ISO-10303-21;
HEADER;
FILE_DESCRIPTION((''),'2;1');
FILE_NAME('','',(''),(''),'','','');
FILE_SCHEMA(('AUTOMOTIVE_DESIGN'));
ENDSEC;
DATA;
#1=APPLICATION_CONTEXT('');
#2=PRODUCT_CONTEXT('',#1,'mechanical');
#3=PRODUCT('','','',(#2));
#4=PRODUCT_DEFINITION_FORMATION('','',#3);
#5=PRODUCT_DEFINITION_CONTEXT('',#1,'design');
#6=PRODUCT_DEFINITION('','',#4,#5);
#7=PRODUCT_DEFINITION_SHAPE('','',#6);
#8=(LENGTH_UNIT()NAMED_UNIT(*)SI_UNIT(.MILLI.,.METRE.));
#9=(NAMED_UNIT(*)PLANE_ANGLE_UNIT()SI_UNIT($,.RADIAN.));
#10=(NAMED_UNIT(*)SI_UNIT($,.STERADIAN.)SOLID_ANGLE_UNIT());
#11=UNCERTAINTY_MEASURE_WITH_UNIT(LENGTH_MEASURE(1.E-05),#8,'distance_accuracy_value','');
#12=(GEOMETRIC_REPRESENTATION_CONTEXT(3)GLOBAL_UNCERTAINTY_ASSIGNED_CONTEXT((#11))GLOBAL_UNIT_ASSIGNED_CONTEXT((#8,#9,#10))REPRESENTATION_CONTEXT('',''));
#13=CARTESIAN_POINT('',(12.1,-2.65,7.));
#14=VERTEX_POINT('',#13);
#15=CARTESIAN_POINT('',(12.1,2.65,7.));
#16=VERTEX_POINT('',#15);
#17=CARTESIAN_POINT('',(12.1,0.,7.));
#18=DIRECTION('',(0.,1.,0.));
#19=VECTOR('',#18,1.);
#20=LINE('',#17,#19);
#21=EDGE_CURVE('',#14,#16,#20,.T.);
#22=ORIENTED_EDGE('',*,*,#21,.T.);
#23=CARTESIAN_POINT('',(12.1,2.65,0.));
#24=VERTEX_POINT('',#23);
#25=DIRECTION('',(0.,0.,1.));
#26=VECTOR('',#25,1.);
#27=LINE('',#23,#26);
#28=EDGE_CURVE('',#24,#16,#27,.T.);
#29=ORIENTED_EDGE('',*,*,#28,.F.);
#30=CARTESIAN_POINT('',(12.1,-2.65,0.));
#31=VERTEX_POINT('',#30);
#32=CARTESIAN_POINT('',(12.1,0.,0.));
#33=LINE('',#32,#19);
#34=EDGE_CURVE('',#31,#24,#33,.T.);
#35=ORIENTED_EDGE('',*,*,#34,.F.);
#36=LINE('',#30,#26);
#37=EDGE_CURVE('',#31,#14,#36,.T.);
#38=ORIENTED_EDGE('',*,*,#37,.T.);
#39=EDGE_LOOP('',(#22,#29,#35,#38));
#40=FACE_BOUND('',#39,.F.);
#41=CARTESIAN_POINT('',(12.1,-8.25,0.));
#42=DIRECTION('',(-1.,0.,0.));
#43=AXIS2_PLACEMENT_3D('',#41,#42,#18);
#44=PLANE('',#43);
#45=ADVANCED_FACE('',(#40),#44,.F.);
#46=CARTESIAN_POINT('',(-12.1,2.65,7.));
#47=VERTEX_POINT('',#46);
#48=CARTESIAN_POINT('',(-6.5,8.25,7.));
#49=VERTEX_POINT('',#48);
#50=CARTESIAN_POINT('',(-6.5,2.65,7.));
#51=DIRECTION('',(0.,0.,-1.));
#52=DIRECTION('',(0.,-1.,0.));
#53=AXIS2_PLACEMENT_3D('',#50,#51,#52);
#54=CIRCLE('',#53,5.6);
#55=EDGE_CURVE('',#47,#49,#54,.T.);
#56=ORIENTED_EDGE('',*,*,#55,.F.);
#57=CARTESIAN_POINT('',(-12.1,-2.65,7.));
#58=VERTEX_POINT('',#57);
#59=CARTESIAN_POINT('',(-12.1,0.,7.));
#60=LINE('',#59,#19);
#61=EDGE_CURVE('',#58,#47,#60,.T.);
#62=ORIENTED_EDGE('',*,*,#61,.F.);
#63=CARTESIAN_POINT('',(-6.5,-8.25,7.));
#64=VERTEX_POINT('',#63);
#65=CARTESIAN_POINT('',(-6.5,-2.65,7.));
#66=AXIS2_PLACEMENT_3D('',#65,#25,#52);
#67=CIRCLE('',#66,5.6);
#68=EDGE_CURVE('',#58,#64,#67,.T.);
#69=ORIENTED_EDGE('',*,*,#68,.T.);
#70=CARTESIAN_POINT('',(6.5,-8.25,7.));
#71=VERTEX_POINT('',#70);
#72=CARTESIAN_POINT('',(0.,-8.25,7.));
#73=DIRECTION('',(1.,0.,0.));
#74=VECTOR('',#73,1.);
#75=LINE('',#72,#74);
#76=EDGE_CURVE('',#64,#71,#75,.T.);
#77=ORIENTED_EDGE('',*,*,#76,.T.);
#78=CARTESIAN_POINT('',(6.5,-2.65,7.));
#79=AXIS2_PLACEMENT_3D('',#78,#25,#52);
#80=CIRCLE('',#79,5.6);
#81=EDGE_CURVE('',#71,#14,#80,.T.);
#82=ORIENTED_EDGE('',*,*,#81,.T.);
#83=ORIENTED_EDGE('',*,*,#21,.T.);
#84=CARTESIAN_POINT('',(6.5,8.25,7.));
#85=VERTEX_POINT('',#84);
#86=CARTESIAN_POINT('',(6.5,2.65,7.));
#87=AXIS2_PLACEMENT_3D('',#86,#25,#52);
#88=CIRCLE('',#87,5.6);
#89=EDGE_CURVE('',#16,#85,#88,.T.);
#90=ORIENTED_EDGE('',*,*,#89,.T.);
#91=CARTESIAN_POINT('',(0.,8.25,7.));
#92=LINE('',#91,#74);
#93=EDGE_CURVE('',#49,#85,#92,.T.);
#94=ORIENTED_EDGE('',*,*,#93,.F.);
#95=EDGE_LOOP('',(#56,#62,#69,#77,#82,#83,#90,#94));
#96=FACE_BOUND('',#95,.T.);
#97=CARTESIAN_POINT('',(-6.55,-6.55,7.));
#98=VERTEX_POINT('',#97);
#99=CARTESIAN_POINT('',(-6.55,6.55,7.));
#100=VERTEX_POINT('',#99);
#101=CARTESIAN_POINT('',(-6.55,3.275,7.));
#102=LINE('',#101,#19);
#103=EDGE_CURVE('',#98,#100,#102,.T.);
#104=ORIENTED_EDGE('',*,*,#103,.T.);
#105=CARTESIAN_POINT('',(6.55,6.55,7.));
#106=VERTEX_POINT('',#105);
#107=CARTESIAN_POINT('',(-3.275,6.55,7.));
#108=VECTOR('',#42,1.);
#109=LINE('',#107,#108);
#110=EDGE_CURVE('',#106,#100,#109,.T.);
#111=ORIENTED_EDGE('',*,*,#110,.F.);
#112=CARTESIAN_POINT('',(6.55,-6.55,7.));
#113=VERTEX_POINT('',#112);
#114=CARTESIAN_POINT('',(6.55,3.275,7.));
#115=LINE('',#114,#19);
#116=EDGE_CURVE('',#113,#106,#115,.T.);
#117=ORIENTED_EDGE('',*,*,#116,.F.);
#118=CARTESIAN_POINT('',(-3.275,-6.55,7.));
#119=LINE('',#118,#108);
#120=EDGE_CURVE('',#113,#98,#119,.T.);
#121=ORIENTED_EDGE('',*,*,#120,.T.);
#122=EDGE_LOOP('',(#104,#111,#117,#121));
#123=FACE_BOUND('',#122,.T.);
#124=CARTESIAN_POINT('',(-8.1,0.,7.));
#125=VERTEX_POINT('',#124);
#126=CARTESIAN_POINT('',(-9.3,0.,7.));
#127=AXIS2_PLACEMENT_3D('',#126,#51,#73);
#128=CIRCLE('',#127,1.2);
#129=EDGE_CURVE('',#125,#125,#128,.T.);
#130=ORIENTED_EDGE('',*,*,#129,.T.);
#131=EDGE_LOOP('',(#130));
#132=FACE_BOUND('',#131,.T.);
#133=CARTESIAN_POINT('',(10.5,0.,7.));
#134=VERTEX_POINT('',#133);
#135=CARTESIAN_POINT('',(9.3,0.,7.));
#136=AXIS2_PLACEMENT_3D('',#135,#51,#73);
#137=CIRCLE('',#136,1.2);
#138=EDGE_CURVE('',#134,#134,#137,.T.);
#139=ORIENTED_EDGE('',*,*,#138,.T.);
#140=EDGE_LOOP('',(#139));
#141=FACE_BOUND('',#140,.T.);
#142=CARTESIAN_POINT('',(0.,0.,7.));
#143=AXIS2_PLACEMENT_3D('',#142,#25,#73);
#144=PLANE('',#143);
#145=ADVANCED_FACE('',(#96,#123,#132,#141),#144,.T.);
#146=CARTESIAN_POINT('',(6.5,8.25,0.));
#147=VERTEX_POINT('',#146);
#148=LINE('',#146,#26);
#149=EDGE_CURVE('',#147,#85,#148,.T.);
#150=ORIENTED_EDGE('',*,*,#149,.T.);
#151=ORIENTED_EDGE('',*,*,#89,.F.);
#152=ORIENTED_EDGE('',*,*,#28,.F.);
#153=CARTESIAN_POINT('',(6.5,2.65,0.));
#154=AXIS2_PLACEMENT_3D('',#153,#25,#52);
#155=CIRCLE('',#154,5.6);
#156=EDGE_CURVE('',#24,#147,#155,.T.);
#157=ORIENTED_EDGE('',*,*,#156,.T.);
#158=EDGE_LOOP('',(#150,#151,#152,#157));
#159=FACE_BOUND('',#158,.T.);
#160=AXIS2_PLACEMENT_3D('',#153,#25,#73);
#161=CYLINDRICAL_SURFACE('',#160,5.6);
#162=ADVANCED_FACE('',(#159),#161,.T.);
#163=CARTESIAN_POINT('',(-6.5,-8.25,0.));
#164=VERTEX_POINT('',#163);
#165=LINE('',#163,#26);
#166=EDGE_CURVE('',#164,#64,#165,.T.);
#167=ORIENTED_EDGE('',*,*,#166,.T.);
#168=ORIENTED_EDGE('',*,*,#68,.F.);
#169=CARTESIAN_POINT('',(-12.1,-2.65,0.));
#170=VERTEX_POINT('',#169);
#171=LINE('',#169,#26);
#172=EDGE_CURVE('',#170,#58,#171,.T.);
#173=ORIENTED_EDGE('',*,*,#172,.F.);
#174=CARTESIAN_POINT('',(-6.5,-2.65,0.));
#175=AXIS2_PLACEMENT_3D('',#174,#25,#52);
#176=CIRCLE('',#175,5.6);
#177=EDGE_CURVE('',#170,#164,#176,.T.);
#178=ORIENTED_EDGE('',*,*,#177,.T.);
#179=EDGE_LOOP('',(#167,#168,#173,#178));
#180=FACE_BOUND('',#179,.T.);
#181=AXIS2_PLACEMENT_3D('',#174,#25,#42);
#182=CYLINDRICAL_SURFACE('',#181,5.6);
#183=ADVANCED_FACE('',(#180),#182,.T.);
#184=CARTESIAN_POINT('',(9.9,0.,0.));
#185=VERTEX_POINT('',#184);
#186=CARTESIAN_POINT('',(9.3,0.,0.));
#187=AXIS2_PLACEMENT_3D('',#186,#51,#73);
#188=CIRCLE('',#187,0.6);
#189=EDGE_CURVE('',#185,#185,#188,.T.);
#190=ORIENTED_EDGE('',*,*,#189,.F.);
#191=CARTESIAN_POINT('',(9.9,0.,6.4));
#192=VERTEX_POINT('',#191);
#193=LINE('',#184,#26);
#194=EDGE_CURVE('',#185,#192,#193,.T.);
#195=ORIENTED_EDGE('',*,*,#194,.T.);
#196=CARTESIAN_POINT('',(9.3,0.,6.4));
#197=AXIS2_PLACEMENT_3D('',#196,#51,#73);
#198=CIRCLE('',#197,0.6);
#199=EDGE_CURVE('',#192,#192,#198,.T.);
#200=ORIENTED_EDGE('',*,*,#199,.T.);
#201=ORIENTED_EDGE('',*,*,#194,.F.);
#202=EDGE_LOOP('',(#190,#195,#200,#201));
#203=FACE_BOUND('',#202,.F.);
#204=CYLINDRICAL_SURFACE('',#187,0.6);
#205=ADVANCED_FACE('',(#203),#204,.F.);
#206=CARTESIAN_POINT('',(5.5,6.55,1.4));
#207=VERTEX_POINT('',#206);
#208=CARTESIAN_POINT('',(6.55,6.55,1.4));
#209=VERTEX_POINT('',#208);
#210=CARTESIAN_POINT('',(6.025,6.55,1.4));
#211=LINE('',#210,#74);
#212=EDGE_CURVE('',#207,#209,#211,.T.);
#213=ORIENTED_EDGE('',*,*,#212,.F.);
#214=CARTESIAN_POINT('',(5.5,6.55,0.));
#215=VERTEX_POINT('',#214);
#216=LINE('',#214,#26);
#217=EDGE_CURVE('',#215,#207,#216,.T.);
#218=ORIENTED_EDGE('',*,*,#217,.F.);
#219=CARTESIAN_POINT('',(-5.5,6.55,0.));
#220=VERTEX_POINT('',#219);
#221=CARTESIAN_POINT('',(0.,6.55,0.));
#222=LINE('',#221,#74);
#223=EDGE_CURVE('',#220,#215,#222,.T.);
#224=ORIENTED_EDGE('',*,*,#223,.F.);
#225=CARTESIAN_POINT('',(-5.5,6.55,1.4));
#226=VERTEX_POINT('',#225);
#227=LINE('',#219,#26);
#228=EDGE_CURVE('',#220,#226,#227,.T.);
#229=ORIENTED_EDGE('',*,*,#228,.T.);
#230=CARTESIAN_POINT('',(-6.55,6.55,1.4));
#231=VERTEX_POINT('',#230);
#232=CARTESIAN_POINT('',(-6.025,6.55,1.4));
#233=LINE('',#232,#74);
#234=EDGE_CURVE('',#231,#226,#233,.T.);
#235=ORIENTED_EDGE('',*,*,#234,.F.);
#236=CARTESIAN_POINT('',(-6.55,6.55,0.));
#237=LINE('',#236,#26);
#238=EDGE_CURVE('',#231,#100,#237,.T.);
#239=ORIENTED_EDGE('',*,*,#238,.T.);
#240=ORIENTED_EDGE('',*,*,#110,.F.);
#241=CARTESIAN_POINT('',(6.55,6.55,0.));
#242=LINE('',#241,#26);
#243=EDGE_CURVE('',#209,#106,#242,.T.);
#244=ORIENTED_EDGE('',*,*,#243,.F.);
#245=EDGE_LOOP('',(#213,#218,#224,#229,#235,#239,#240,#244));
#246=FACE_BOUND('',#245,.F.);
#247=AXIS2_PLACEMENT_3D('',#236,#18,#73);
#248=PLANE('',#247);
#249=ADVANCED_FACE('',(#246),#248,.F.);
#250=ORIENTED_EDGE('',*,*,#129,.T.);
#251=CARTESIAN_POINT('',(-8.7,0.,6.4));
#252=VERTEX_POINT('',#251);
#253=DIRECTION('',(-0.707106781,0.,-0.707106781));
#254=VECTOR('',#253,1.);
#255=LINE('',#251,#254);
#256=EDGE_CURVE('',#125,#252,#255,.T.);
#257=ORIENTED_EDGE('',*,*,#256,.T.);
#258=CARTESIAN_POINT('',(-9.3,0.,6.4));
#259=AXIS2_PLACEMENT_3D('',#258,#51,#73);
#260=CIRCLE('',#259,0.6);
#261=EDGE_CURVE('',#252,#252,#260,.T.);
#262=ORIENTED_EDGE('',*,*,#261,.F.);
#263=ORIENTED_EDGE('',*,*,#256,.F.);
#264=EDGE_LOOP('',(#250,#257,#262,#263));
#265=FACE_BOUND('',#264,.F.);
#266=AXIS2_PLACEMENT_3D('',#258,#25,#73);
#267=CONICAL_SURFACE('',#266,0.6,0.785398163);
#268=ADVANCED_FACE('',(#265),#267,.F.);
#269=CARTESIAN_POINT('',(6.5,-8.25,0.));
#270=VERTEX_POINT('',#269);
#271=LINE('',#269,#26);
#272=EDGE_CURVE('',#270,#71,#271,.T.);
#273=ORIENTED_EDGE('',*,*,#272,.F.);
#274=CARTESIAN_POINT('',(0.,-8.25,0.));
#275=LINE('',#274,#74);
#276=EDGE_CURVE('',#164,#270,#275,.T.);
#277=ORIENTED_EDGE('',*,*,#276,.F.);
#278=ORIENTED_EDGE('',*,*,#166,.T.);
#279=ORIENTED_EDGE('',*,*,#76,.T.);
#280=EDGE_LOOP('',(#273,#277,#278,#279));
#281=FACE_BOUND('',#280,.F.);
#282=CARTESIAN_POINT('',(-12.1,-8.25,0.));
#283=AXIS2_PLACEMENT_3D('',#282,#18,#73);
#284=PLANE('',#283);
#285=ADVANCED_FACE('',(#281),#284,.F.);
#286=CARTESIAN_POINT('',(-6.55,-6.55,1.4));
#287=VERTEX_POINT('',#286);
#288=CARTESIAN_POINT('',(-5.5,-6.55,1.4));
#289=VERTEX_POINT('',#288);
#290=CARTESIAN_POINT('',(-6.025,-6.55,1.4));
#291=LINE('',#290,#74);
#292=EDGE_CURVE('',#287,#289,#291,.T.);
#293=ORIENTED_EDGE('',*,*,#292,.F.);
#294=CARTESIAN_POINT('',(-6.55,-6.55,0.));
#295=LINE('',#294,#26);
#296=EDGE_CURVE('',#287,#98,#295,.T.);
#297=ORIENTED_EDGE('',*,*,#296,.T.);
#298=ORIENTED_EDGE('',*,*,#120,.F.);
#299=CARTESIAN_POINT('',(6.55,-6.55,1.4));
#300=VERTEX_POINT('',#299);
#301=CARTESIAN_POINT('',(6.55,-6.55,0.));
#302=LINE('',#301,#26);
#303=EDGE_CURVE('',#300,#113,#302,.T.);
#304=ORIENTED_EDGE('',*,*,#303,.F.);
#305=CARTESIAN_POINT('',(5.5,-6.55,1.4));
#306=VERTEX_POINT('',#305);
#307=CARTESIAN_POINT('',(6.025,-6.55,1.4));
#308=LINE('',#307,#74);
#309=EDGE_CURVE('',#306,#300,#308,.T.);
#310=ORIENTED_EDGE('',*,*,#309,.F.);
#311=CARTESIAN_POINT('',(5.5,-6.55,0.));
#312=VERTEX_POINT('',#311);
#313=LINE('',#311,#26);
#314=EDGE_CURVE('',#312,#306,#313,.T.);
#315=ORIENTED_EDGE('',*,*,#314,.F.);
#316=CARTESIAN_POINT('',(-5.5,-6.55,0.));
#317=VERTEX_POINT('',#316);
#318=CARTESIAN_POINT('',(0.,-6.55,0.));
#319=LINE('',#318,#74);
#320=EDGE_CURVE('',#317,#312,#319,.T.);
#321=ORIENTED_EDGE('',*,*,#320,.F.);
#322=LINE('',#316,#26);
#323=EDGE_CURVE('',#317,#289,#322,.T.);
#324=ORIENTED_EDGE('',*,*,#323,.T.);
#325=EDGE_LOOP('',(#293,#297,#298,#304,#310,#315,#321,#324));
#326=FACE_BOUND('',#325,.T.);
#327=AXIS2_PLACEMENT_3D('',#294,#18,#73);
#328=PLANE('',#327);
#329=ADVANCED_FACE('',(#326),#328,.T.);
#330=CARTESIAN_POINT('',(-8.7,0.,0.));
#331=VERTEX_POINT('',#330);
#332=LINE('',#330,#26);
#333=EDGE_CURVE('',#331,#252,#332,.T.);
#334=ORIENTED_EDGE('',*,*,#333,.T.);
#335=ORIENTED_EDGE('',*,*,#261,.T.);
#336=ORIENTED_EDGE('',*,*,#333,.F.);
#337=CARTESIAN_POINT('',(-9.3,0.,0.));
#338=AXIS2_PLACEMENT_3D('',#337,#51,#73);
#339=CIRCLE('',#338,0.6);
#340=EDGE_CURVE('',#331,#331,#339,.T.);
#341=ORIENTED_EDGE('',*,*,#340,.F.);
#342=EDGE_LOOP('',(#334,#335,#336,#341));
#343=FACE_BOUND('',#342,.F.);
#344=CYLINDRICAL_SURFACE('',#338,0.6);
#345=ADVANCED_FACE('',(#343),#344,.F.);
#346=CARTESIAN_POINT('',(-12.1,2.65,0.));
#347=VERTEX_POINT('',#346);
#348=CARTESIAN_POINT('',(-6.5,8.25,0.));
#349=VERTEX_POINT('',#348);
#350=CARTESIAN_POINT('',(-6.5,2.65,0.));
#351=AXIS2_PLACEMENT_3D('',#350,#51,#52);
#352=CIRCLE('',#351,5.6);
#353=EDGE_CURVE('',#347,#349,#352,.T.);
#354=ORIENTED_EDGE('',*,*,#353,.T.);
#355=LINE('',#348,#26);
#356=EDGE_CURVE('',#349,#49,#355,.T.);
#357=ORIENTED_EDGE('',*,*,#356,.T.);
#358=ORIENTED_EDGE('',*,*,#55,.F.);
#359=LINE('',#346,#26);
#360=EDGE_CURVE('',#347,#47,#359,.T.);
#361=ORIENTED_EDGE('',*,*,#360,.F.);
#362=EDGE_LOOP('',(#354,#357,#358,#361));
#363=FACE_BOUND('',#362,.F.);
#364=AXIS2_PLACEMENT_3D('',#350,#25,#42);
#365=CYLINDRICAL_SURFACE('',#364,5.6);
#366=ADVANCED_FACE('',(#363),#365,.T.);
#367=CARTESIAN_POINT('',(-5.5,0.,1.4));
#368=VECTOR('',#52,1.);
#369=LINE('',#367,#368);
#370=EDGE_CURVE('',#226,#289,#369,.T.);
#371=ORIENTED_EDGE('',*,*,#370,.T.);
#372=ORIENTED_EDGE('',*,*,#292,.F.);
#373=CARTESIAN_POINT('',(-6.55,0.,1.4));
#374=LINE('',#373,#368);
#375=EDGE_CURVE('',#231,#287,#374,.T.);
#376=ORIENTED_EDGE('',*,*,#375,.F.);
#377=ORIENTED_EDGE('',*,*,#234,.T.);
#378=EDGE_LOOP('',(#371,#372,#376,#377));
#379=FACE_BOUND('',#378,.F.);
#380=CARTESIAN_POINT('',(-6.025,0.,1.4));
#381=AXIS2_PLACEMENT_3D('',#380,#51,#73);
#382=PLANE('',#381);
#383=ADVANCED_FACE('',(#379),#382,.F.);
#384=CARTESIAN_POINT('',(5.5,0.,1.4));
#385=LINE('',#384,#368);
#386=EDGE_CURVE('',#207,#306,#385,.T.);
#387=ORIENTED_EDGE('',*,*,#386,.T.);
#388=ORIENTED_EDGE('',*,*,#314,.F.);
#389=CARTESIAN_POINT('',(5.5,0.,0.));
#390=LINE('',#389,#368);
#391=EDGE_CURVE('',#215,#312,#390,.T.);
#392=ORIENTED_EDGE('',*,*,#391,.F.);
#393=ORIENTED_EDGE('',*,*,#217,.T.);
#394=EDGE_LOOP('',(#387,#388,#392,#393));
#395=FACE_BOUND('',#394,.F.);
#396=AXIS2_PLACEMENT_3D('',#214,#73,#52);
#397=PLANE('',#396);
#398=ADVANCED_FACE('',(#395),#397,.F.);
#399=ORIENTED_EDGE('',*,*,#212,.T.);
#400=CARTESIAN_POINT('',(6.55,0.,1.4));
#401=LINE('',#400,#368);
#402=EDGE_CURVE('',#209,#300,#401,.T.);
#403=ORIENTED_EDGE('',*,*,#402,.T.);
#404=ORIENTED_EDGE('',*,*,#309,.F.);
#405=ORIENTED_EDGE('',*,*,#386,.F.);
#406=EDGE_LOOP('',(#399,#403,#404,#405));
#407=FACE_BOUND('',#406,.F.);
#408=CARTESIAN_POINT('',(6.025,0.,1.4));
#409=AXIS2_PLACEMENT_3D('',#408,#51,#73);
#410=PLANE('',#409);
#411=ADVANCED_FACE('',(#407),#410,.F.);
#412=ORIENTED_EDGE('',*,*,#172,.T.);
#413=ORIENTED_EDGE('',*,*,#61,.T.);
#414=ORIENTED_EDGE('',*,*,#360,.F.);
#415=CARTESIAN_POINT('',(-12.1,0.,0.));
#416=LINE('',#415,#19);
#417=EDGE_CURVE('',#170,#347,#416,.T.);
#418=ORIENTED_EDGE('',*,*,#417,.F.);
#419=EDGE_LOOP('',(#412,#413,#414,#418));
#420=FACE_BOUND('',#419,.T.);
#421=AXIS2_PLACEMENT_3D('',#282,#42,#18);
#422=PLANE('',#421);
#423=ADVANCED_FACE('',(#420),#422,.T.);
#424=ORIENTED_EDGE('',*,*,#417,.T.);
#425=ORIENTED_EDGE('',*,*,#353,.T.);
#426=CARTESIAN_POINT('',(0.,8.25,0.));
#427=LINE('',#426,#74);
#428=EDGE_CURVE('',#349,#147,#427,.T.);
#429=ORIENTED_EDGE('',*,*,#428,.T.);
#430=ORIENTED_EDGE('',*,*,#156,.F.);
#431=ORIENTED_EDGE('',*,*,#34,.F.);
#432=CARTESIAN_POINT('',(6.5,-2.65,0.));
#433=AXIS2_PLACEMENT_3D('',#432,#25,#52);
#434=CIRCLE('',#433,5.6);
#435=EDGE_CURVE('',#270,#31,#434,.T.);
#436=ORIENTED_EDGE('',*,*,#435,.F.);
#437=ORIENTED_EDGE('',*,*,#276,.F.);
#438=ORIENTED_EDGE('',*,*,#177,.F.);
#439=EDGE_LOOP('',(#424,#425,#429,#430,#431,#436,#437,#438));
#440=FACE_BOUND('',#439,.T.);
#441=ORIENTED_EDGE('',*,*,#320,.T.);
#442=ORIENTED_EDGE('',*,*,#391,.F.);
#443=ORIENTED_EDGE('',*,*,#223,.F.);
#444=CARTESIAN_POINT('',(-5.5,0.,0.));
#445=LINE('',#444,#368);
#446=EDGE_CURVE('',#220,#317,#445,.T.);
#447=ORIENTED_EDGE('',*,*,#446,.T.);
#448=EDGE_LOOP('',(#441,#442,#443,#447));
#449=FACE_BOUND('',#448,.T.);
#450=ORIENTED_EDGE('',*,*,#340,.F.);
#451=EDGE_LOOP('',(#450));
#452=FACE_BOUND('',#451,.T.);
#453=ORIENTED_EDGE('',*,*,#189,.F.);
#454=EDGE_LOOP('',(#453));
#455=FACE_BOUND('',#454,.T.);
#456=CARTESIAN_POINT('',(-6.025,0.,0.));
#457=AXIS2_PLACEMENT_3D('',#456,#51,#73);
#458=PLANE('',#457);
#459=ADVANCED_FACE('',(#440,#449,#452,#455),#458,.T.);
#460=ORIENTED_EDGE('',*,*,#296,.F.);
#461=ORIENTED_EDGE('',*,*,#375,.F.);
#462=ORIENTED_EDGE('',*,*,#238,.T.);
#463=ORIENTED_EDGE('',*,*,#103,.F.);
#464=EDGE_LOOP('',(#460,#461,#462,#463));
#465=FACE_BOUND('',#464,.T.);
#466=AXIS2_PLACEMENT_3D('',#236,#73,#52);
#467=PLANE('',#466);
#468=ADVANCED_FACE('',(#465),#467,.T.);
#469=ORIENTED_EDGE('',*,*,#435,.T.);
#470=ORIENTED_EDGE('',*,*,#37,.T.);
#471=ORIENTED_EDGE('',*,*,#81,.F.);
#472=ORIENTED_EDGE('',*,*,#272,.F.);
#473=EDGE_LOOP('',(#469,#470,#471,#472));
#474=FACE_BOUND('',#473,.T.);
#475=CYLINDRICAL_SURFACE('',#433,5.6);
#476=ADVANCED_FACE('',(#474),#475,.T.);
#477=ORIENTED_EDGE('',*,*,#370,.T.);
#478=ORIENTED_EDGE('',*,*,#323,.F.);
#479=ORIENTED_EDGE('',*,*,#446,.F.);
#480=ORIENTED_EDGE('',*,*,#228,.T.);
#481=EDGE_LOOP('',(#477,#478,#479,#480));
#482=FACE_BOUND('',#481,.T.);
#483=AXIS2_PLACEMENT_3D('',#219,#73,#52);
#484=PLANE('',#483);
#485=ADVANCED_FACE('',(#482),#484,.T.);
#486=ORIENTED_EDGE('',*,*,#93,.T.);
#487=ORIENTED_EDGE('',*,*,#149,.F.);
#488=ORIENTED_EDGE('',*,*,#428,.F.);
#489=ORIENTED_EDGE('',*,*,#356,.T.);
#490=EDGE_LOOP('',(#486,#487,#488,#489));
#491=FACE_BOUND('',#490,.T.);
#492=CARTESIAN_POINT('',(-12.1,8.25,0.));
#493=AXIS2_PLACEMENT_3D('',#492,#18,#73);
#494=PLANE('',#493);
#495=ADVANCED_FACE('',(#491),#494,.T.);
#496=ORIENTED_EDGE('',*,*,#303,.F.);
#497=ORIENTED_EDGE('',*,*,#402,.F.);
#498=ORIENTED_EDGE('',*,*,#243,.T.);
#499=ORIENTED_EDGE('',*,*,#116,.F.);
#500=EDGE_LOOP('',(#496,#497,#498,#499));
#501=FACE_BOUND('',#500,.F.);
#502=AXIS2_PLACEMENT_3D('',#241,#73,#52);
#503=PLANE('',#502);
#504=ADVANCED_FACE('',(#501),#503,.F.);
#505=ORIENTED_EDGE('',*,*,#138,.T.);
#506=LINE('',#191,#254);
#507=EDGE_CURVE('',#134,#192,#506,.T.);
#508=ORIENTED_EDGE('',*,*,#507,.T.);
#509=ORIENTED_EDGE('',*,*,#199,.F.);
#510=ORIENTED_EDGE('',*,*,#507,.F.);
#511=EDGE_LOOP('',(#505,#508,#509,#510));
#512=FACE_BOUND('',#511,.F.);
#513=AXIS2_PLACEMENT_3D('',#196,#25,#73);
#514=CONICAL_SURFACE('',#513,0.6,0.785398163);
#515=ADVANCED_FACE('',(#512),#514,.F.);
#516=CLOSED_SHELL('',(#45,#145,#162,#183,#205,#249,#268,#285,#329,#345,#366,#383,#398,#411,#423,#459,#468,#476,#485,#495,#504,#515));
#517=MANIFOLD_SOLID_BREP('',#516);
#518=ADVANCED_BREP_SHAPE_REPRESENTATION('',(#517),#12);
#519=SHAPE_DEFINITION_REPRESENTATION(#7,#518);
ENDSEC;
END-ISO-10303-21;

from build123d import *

# Parameters (mm, degrees)
F0_W     = 24.2
F0_H     = 16.5
F1_DEPTH = 7
F2_R     = 5.6
F3_W     = 13.1
F3_H     = 13.1
F4_DEPTH = 7.001
F5_W     = 1.05
F5_H     = 13.1
F6_DEPTH = 1.4
F7_R     = 0.6
F8_DEPTH = 7.001
F9_SIZE  = 0.6


with BuildPart() as f1:
    # F0 (on Top) → F1 (new body)
    with BuildSketch(Plane.XY):
        Rectangle(F0_W, F0_H)
    extrude(amount=F1_DEPTH)

    # F2
    f2_edges = [f1.edges().sort_by_distance(p)[0] for p in [
        (-12.1, -8.25, 3.5),
        (12.1, -8.25, 3.5),
        (12.1, 8.25, 3.5),
        (-12.1, 8.25, 3.5),
    ]]
    fillet(f2_edges, radius=F2_R)

    # F3 (on face) → F4 (cut, through all)
    with BuildSketch(Plane(origin=(0, 0, 0), x_dir=(1, 0, 0), z_dir=(0, 0, -1))):
        Rectangle(F3_W, F3_H)
    extrude(amount=-F4_DEPTH, mode=Mode.SUBTRACT)

    # F5 (on face) → F6 (join)
    with BuildSketch(Plane(origin=(0, 0, 0), x_dir=(1, 0, 0), z_dir=(0, 0, -1))):
        with Locations((-6.025, 0)):
            Rectangle(F5_W, F5_H)
        with Locations((6.025, 0)):
            Rectangle(F5_W, F5_H)
    extrude(amount=-F6_DEPTH)

    # F7 (on face) → F8 (cut, through all)
    with BuildSketch(Plane(origin=(0, 0, 0), x_dir=(1, 0, 0), z_dir=(0, 0, -1))):
        with Locations((-9.3, 0)):
            Circle(F7_R)
        with Locations((9.3, 0)):
            Circle(F7_R)
    extrude(amount=-F8_DEPTH, mode=Mode.SUBTRACT)

    # F9
    f9_edges = [f1.edges().sort_by_distance(p)[0] for p in [
        (8.7, 0, 7),
        (-9.9, 0, 7),
    ]]
    chamfer(f9_edges, length=F9_SIZE)


solid = f1.part
